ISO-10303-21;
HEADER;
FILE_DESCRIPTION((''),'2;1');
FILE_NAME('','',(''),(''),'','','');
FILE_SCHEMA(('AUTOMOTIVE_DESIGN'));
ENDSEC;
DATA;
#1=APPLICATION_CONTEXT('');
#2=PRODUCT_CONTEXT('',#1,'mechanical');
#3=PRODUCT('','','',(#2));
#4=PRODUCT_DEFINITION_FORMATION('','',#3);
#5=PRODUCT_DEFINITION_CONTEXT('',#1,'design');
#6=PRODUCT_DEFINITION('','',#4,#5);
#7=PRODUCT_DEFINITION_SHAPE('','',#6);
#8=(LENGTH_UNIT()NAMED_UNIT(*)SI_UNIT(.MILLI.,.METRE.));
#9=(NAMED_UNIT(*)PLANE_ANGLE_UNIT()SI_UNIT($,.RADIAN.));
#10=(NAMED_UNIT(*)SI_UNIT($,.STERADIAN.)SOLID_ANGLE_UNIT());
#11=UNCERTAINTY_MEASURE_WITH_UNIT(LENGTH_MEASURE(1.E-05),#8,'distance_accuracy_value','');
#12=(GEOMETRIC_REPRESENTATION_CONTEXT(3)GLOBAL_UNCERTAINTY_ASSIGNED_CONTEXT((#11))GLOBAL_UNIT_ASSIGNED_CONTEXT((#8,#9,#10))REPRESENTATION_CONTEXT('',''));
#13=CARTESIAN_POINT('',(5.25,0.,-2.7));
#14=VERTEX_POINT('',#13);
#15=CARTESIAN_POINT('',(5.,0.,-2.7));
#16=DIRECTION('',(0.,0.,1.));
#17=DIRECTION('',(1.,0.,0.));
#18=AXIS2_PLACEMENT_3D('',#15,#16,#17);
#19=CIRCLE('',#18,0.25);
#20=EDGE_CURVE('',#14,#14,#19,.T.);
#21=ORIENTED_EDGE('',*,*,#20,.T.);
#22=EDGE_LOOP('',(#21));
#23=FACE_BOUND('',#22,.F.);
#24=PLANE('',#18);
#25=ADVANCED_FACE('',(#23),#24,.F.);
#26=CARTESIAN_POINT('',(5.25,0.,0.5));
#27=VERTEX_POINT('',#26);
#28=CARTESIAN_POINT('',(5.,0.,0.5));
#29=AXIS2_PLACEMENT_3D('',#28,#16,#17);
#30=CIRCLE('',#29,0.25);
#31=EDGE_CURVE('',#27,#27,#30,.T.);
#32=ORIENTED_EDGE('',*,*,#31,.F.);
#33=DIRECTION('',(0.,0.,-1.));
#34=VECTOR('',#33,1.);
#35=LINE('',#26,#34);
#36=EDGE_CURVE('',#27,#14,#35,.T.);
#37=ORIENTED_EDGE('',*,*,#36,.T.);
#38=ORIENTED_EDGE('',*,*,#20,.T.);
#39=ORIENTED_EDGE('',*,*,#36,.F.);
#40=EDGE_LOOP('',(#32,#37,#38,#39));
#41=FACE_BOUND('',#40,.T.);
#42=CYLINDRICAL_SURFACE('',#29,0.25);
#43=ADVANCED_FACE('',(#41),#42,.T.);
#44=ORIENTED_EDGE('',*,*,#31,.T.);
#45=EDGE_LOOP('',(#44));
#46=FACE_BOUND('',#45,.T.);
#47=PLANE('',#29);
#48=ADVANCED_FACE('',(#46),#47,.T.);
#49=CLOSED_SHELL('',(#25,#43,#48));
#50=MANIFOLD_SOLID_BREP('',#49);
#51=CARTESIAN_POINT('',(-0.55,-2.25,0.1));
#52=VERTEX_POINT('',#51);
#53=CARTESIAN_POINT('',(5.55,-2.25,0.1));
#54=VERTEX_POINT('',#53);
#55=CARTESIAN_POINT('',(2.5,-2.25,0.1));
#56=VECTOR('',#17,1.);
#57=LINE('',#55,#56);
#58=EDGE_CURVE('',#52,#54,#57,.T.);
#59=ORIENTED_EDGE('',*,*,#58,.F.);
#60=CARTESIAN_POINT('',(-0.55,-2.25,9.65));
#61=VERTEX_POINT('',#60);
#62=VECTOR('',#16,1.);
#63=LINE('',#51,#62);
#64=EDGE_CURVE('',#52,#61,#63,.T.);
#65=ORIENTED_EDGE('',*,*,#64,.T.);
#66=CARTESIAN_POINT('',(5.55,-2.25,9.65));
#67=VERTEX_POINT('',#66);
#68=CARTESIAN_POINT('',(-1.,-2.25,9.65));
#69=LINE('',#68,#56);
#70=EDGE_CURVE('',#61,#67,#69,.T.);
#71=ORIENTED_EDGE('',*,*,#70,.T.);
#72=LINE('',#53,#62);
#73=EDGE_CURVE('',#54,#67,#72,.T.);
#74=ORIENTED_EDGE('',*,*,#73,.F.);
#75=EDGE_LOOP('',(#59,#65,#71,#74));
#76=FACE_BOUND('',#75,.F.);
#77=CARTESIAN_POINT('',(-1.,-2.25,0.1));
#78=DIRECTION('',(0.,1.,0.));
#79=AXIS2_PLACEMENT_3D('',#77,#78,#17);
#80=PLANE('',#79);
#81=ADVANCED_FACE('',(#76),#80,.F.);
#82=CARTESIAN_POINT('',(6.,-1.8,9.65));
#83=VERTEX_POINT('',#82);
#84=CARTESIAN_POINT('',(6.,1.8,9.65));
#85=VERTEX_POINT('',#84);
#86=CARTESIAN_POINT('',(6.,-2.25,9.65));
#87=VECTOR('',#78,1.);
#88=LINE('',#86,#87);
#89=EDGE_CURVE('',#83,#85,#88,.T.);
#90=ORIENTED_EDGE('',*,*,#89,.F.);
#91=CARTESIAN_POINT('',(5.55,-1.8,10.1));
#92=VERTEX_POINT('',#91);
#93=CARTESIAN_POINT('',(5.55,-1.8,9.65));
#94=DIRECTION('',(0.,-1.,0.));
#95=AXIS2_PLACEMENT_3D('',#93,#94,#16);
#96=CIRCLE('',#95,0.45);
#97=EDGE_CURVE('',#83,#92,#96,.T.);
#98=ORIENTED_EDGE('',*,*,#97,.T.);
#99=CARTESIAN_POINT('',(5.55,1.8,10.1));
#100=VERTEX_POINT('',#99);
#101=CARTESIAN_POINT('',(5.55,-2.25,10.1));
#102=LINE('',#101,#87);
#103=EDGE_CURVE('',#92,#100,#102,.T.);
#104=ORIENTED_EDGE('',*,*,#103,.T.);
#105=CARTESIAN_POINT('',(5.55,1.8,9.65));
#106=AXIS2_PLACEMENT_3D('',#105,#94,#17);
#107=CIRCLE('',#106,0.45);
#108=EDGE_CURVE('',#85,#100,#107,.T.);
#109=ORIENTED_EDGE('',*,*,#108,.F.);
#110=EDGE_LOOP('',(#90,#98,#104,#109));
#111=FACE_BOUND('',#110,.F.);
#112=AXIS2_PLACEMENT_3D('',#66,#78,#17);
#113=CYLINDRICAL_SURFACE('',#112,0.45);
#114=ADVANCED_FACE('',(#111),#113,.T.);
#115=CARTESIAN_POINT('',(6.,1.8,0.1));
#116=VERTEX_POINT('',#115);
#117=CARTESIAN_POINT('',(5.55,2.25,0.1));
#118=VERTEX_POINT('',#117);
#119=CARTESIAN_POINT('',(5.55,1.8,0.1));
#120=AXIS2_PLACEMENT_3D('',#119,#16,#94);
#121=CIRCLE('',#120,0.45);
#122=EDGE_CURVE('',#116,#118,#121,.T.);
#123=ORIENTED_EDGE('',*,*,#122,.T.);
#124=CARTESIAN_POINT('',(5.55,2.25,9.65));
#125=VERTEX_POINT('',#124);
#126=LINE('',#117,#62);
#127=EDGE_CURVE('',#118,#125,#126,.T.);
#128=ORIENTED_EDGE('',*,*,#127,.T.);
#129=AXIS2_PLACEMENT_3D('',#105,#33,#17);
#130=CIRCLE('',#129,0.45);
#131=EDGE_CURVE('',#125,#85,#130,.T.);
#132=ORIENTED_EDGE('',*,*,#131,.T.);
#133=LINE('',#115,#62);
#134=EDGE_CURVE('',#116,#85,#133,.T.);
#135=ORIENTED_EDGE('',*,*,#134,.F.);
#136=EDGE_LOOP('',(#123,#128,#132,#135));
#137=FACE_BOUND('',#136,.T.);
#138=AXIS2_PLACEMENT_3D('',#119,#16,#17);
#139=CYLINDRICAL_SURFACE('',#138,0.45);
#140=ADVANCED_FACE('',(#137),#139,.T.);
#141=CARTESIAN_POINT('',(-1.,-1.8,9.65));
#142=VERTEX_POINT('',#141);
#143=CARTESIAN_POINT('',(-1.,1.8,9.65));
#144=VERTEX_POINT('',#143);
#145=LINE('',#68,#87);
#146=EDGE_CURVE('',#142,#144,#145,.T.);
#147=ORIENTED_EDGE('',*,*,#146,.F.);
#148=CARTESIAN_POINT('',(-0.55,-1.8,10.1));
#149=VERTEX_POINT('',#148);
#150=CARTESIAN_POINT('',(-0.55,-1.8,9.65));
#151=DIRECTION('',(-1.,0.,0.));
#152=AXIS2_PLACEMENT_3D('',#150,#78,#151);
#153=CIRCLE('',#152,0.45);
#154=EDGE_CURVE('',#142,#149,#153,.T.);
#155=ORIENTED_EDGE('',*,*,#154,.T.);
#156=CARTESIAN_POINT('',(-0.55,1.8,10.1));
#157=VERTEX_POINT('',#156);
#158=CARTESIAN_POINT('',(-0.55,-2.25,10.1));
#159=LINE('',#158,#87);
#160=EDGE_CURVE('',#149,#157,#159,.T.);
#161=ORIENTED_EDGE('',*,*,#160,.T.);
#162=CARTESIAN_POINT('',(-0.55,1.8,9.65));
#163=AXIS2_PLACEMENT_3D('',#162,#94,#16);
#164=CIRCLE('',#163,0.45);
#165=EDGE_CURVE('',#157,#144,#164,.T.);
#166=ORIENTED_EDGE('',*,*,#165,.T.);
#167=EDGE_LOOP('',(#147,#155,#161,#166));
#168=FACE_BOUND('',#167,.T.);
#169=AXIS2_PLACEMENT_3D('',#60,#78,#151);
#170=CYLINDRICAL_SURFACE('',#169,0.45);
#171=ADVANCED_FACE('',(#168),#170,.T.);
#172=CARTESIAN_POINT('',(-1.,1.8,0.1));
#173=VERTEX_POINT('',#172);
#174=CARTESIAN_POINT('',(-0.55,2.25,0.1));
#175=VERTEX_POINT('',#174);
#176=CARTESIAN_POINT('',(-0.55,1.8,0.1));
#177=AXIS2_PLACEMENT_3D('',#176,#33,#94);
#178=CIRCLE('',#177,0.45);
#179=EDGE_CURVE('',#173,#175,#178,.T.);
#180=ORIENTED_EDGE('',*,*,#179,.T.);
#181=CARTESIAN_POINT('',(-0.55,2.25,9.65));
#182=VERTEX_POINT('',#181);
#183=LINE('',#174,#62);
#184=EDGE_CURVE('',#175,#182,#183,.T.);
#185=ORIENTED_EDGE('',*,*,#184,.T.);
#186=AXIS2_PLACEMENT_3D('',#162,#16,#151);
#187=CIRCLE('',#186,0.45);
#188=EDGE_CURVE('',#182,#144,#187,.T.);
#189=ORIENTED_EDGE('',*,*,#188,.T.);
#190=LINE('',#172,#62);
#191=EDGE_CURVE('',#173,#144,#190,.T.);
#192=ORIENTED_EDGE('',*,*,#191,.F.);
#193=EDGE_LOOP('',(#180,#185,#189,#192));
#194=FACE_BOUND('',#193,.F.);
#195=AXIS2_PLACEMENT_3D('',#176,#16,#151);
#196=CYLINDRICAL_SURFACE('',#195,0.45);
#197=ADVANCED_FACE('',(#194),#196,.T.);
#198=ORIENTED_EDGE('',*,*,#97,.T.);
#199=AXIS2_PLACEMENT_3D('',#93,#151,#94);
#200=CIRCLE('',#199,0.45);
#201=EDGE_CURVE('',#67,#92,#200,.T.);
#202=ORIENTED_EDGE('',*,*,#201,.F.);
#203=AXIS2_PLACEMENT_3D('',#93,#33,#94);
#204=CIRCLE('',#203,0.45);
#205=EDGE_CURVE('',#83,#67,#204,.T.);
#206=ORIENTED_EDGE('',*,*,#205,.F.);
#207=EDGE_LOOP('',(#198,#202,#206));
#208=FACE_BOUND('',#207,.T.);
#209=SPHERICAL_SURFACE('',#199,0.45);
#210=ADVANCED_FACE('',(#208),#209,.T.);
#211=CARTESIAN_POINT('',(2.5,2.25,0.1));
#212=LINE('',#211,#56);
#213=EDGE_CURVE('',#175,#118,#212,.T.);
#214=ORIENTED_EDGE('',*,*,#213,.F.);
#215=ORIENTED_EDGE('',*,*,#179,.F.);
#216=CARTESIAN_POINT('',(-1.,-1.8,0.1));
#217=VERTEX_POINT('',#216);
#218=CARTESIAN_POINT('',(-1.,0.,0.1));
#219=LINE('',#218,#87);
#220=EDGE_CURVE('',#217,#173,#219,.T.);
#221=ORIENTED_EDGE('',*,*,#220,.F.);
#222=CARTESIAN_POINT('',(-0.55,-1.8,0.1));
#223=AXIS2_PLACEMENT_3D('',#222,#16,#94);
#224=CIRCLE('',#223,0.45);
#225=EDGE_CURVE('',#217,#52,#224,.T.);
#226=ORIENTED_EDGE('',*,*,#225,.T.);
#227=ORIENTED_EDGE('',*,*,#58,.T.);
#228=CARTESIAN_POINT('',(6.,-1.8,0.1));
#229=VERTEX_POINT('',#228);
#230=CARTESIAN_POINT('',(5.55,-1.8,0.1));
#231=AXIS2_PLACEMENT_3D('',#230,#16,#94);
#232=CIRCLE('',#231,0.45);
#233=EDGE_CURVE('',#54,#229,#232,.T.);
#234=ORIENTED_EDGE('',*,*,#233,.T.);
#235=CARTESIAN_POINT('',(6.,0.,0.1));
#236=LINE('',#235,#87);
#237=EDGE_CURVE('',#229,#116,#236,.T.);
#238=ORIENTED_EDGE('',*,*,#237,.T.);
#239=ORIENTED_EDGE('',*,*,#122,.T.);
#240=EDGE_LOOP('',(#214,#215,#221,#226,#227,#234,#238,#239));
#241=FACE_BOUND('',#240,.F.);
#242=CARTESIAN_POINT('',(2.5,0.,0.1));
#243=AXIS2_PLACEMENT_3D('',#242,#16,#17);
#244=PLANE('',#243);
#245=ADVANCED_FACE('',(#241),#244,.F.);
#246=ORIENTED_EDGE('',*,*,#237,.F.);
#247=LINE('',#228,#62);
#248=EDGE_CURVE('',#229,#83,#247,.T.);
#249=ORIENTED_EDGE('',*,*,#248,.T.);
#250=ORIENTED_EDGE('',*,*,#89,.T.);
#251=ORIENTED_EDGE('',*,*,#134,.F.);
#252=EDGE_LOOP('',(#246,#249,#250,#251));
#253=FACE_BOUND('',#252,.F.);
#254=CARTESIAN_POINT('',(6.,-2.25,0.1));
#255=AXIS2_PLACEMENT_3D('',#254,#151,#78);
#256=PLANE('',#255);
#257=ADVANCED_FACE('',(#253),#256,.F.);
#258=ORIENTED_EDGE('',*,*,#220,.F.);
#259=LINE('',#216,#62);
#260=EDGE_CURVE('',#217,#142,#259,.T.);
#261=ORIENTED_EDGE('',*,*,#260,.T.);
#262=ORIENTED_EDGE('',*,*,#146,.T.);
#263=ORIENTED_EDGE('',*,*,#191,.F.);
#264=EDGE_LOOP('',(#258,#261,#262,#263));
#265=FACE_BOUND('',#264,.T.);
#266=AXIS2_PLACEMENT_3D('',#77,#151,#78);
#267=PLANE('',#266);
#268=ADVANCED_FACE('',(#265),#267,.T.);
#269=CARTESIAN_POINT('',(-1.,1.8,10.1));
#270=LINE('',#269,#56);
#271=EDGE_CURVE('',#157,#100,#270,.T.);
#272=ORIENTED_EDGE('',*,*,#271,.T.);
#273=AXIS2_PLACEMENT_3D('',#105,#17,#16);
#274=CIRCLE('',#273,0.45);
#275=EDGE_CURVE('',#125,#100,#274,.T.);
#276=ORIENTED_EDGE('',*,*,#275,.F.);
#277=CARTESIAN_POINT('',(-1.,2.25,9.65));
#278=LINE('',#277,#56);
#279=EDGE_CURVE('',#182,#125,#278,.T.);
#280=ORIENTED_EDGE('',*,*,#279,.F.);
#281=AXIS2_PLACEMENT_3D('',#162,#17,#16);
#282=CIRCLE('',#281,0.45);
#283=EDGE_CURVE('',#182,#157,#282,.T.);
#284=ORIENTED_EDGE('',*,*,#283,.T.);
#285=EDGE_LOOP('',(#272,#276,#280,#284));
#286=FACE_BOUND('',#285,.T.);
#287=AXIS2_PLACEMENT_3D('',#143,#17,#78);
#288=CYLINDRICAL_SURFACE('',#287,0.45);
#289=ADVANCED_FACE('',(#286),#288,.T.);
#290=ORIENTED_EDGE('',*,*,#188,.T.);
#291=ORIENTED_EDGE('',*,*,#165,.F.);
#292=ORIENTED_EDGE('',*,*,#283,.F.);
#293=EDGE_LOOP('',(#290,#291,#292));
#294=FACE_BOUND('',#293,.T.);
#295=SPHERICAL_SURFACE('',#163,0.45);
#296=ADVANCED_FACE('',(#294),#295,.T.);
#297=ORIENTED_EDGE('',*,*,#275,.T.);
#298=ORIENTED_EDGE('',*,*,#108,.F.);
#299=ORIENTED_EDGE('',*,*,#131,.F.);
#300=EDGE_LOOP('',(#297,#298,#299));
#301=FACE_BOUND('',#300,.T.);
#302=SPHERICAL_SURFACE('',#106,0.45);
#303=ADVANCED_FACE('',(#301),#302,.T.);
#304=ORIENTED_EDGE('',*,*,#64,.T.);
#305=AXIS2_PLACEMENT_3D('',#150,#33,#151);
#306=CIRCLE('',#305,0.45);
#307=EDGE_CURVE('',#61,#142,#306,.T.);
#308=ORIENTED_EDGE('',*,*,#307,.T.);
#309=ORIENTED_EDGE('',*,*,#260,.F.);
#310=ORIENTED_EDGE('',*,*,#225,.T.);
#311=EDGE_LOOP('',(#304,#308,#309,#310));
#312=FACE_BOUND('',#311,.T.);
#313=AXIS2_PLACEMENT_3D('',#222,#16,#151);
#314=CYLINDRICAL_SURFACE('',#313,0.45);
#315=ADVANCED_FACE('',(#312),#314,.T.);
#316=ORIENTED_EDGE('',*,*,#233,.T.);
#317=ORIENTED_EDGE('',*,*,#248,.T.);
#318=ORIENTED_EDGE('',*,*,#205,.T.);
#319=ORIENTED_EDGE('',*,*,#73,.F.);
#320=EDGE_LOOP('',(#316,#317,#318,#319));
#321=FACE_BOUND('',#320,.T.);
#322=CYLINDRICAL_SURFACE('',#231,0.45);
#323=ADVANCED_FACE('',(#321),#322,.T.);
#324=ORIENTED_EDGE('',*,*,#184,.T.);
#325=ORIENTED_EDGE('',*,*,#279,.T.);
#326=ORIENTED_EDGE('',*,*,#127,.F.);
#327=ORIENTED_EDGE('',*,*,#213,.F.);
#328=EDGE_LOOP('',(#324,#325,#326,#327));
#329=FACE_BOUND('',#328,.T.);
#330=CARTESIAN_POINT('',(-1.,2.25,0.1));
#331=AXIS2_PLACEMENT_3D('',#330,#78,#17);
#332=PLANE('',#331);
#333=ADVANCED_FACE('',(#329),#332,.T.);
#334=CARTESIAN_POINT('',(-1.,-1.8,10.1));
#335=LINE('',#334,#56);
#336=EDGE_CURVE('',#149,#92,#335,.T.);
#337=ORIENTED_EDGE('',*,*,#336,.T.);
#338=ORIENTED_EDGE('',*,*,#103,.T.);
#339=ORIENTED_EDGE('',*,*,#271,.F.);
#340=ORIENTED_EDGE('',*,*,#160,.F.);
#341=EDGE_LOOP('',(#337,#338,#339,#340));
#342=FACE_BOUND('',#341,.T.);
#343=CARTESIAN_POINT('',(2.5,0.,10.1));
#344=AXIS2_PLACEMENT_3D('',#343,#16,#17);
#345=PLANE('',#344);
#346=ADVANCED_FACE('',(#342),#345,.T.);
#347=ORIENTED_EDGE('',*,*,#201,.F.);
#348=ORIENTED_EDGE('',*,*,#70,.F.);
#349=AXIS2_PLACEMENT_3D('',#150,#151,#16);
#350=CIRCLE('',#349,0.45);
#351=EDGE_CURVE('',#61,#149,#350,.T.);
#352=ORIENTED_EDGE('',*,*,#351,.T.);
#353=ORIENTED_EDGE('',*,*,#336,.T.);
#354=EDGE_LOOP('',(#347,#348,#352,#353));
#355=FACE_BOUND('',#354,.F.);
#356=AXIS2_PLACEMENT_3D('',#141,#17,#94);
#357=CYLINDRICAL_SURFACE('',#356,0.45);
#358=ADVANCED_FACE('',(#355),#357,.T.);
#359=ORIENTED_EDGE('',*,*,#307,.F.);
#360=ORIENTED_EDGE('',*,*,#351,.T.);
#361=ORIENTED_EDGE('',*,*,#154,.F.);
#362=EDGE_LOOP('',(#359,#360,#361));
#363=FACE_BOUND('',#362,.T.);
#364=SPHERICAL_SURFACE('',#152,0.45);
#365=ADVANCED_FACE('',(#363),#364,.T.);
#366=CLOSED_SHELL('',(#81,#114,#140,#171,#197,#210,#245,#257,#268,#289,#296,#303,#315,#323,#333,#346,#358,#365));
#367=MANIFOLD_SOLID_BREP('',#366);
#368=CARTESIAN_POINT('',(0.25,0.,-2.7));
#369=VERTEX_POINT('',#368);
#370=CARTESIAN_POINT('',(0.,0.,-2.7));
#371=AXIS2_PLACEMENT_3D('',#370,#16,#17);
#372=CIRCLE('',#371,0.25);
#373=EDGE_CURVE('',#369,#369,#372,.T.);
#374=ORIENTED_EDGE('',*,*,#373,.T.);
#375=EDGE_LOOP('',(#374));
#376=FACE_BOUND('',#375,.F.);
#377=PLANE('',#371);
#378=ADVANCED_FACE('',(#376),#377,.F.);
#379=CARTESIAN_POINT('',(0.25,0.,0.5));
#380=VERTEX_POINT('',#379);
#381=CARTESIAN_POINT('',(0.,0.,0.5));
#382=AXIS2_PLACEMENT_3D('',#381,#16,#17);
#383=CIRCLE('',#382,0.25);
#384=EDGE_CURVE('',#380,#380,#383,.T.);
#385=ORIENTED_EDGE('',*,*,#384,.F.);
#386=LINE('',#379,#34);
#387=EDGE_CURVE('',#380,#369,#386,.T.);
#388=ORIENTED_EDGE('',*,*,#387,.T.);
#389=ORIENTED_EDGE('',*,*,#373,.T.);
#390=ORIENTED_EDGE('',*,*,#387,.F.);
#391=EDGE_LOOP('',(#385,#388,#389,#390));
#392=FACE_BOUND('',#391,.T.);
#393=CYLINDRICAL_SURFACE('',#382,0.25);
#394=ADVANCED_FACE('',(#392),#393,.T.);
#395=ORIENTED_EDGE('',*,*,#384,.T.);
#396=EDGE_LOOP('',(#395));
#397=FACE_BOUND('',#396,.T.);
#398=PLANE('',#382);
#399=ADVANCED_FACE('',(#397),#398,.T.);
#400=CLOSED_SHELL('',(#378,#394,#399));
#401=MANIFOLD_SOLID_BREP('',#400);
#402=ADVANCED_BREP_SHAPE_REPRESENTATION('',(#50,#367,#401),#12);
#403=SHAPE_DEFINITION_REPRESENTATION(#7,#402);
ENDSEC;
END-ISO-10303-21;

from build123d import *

# Parameters (mm, degrees)
SKETCH_W     = 7
SKETCH_H     = 4.5
PAD_DEPTH    = 10
FILLET_R     = 0.45
SKETCH001_R  = 0.25
PAD001_DEPTH = 3.2


with BuildPart() as fillet_body:
    # Sketch → Pad (new body)
    with BuildSketch(Plane.XY.offset(0.1)):
        with Locations((2.5, 0)):
            Rectangle(SKETCH_W, SKETCH_H)
    extrude(amount=PAD_DEPTH)

    # Fillet
    fillet_edges = [fillet_body.edges().sort_by_distance(p)[0] for p in [
        (-1, 0, 10.1),
        (-1, -2.25, 5.1),
        (2.5, -2.25, 10.1),
        (6, -2.25, 5.1),
        (6, 0, 10.1),
        (6, 2.25, 5.1),
        (2.5, 2.25, 10.1),
        (-1, 2.25, 5.1),
    ]]
    fillet(fillet_edges, radius=FILLET_R)


with BuildPart() as pad001:
    # Sketch001 → Pad001 (new body)
    with BuildSketch(Plane.XY.offset(0.5)):
        Circle(SKETCH001_R)
        with Locations((5, 0)):
            Circle(SKETCH001_R)
    extrude(amount=-PAD001_DEPTH)


solid = Compound([fillet_body.part, pad001.part])
